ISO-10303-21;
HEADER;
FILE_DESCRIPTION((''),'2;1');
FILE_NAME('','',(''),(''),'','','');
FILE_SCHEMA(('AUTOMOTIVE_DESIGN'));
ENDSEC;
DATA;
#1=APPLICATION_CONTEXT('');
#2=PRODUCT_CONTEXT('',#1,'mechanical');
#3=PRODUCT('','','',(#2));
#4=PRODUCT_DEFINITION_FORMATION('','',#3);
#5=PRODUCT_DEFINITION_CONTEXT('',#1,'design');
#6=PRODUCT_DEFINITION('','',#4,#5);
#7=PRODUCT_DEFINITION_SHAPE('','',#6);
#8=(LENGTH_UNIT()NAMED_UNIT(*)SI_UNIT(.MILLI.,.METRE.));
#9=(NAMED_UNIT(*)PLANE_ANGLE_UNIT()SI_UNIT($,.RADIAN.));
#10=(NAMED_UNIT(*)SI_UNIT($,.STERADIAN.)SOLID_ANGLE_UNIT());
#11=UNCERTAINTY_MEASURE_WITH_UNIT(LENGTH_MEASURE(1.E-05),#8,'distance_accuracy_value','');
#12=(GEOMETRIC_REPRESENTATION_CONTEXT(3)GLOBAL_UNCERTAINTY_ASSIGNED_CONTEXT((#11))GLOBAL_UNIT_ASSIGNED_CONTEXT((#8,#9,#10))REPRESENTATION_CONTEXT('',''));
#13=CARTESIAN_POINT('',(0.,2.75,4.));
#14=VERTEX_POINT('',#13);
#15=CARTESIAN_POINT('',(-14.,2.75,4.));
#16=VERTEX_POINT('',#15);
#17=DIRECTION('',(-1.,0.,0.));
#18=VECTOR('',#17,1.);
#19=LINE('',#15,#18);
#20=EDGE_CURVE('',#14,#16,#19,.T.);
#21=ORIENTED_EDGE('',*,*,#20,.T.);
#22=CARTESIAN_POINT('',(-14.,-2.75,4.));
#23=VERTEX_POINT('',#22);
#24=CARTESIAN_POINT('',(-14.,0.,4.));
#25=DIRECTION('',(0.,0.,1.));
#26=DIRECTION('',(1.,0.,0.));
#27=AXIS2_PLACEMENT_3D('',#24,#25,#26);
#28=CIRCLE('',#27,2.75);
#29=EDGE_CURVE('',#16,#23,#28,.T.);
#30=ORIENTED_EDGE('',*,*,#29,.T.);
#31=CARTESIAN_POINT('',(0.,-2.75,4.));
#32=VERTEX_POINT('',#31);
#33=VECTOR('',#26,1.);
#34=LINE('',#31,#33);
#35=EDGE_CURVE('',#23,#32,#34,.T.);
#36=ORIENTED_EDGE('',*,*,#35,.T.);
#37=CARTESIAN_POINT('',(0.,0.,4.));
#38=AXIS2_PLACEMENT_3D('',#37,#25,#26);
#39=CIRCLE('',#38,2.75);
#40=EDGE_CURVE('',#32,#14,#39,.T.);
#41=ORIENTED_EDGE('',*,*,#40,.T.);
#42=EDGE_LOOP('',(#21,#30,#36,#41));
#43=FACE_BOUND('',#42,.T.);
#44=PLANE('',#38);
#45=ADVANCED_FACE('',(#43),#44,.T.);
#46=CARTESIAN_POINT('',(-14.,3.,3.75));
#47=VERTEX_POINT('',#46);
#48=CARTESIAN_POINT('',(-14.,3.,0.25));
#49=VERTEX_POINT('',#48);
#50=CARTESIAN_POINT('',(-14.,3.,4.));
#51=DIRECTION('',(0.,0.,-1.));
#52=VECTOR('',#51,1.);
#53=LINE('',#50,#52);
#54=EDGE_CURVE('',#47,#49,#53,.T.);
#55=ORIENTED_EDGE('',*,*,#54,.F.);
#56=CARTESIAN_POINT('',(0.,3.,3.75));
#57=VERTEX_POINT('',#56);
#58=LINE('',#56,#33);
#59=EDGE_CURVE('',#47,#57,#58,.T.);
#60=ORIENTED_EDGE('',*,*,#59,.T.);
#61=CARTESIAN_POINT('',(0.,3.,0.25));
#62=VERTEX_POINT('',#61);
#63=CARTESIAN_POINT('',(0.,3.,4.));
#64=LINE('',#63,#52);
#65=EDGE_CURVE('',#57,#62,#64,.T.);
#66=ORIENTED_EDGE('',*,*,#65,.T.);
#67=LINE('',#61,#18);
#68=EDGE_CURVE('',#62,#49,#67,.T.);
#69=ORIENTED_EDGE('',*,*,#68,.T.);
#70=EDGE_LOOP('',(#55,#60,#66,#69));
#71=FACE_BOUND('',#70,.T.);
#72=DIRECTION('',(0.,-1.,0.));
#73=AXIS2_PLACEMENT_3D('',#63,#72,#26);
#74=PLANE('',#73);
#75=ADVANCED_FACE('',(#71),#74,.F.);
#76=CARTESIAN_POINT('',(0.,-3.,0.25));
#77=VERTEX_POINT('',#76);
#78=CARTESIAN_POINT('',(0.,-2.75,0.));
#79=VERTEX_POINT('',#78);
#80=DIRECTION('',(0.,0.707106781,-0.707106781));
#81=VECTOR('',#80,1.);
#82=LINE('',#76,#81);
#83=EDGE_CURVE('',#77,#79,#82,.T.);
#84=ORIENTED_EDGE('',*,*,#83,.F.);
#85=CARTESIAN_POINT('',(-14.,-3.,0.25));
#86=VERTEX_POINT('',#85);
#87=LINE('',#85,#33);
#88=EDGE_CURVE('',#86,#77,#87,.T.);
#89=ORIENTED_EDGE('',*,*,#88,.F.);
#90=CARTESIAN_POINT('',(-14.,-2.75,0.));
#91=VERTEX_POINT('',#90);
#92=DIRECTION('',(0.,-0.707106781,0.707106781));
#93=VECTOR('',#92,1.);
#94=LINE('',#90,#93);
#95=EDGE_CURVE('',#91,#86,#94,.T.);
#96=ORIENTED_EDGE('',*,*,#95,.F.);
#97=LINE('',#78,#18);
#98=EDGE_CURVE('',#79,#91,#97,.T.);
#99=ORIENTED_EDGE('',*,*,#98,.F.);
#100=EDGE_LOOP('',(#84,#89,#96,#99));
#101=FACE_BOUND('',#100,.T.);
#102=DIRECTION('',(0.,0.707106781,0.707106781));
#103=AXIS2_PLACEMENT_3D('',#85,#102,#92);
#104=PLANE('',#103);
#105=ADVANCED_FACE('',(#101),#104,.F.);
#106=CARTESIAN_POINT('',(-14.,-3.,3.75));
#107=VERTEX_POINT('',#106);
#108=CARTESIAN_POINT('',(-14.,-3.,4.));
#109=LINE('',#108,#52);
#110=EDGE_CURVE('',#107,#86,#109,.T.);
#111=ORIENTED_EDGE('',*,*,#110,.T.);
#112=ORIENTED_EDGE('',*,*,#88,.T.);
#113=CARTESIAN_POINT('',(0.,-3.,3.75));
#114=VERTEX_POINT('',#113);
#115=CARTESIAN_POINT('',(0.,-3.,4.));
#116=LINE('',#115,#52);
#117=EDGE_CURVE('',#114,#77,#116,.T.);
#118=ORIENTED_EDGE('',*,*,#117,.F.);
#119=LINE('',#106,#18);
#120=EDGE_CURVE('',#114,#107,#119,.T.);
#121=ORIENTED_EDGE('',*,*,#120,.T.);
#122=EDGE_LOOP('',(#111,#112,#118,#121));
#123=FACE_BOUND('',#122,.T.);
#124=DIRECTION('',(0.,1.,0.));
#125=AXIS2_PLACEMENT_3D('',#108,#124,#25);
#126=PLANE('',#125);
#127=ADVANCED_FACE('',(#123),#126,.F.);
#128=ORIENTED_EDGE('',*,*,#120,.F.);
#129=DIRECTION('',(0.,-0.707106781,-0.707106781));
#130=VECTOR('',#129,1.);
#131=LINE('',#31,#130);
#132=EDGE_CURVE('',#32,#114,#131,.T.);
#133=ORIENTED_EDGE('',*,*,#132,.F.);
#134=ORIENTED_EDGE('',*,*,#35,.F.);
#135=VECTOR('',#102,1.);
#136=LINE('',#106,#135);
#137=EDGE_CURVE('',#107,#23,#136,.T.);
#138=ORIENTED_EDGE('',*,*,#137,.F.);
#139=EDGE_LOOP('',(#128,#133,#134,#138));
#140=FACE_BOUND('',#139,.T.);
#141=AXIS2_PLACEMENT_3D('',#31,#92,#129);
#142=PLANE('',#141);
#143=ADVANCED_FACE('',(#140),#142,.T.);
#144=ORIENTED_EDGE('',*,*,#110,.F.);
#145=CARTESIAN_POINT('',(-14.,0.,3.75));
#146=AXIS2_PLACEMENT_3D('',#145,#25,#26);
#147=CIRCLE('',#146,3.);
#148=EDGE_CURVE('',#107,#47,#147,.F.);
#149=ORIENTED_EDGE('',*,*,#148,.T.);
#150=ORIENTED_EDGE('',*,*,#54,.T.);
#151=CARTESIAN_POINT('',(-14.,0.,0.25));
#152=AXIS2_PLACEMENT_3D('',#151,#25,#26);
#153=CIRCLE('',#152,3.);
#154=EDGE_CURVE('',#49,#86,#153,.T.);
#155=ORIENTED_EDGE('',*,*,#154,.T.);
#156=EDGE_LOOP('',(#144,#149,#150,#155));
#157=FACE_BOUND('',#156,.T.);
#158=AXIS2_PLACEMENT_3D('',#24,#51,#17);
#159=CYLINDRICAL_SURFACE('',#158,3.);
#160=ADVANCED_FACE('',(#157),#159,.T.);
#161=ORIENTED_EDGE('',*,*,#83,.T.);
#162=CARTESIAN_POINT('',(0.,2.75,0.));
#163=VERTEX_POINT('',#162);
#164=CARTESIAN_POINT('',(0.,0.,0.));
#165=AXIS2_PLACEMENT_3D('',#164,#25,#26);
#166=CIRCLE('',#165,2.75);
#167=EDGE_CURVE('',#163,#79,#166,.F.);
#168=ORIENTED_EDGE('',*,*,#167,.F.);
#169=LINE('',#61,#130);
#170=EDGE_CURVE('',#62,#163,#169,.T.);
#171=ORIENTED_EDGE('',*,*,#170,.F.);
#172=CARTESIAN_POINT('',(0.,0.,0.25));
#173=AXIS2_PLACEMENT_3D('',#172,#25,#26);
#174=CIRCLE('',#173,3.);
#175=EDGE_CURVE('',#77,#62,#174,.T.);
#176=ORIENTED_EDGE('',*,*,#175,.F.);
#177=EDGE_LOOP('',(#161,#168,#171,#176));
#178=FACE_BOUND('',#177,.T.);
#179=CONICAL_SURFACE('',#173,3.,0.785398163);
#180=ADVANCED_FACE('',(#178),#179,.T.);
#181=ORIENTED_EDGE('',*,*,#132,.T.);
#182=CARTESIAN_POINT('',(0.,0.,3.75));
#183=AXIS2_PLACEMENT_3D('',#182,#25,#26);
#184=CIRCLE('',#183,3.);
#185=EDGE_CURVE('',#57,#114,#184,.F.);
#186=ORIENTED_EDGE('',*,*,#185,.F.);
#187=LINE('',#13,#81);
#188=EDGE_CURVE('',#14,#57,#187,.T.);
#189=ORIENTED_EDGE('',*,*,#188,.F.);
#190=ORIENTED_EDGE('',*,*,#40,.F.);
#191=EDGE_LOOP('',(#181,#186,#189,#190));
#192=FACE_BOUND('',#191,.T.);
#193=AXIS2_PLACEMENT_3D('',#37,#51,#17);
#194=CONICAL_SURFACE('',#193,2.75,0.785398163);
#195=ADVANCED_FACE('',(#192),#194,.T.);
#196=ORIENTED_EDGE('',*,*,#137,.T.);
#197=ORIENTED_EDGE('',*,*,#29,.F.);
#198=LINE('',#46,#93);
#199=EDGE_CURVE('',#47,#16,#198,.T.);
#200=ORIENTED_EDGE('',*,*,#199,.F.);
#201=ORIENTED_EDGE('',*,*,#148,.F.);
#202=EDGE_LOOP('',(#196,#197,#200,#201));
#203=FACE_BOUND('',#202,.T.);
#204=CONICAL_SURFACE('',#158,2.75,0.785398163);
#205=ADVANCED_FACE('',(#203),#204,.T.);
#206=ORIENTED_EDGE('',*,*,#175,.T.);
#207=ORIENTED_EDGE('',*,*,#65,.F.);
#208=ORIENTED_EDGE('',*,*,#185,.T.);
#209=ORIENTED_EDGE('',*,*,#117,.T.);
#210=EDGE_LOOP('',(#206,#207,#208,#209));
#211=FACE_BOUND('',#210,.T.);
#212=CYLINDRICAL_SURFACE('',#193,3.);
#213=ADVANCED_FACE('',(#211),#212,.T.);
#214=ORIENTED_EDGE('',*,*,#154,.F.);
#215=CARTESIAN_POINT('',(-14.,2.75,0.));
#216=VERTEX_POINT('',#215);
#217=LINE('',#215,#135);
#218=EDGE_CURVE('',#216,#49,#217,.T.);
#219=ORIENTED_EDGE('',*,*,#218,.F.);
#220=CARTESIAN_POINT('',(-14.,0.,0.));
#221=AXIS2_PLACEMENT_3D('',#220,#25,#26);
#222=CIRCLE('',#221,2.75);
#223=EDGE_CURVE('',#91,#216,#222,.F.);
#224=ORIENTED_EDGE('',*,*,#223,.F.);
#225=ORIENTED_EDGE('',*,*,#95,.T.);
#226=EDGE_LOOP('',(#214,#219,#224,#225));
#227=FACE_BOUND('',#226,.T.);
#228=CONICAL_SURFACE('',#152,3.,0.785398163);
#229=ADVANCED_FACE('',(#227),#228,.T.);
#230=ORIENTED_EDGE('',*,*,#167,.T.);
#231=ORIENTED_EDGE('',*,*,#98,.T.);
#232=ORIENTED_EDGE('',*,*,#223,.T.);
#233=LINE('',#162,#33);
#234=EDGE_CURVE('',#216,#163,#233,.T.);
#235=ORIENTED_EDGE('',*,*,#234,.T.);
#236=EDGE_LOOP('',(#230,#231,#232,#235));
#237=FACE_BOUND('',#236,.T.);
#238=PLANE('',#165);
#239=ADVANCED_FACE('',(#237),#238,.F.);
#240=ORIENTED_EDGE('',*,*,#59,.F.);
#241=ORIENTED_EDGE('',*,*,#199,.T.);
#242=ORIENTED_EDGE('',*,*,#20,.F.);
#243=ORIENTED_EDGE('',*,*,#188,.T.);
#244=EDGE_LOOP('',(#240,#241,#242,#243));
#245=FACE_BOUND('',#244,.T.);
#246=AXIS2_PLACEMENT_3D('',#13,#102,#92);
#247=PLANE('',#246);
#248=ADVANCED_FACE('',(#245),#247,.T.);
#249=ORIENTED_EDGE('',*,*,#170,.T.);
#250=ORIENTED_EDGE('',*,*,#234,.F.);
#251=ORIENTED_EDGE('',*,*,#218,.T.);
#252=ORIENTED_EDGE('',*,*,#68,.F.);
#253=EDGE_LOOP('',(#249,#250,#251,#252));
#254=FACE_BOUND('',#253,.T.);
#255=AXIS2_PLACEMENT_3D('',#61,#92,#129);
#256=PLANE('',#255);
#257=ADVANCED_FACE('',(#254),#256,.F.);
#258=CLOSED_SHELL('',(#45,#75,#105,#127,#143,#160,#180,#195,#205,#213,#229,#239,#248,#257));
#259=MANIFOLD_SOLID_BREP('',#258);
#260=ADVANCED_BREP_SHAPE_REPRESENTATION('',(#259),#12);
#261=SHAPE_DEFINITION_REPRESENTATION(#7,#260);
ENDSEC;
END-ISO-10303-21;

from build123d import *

# Parameters (mm, degrees)
EXTRUDE1_DEPTH = 4
CHAMFER1_SIZE  = 0.25


with BuildPart() as part:
    # Sketch1 → Extrude1 (new body)
    with BuildSketch(Plane.XY):
        with BuildLine():
            Line((0, 3), (-14, 3))
            ThreePointArc((-14, 3), (-17, 0), (-14, -3))
            Line((-14, -3), (0, -3))
            ThreePointArc((0, -3), (3, 0), (0, 3))
        make_face()
    extrude(amount=EXTRUDE1_DEPTH)

    # Chamfer1
    chamfer1_edges = [part.edges().sort_by_distance(p)[0] for p in [
        (-17, 0, 4),
        (-7, -3, 4),
        (3, 0, 4),
        (-7, -3, 0),
        (-17, 0, 0),
        (-7, 3, 0),
        (3, 0, 0),
        (-7, 3, 4),
    ]]
    chamfer(chamfer1_edges, length=CHAMFER1_SIZE)


solid = part.part
